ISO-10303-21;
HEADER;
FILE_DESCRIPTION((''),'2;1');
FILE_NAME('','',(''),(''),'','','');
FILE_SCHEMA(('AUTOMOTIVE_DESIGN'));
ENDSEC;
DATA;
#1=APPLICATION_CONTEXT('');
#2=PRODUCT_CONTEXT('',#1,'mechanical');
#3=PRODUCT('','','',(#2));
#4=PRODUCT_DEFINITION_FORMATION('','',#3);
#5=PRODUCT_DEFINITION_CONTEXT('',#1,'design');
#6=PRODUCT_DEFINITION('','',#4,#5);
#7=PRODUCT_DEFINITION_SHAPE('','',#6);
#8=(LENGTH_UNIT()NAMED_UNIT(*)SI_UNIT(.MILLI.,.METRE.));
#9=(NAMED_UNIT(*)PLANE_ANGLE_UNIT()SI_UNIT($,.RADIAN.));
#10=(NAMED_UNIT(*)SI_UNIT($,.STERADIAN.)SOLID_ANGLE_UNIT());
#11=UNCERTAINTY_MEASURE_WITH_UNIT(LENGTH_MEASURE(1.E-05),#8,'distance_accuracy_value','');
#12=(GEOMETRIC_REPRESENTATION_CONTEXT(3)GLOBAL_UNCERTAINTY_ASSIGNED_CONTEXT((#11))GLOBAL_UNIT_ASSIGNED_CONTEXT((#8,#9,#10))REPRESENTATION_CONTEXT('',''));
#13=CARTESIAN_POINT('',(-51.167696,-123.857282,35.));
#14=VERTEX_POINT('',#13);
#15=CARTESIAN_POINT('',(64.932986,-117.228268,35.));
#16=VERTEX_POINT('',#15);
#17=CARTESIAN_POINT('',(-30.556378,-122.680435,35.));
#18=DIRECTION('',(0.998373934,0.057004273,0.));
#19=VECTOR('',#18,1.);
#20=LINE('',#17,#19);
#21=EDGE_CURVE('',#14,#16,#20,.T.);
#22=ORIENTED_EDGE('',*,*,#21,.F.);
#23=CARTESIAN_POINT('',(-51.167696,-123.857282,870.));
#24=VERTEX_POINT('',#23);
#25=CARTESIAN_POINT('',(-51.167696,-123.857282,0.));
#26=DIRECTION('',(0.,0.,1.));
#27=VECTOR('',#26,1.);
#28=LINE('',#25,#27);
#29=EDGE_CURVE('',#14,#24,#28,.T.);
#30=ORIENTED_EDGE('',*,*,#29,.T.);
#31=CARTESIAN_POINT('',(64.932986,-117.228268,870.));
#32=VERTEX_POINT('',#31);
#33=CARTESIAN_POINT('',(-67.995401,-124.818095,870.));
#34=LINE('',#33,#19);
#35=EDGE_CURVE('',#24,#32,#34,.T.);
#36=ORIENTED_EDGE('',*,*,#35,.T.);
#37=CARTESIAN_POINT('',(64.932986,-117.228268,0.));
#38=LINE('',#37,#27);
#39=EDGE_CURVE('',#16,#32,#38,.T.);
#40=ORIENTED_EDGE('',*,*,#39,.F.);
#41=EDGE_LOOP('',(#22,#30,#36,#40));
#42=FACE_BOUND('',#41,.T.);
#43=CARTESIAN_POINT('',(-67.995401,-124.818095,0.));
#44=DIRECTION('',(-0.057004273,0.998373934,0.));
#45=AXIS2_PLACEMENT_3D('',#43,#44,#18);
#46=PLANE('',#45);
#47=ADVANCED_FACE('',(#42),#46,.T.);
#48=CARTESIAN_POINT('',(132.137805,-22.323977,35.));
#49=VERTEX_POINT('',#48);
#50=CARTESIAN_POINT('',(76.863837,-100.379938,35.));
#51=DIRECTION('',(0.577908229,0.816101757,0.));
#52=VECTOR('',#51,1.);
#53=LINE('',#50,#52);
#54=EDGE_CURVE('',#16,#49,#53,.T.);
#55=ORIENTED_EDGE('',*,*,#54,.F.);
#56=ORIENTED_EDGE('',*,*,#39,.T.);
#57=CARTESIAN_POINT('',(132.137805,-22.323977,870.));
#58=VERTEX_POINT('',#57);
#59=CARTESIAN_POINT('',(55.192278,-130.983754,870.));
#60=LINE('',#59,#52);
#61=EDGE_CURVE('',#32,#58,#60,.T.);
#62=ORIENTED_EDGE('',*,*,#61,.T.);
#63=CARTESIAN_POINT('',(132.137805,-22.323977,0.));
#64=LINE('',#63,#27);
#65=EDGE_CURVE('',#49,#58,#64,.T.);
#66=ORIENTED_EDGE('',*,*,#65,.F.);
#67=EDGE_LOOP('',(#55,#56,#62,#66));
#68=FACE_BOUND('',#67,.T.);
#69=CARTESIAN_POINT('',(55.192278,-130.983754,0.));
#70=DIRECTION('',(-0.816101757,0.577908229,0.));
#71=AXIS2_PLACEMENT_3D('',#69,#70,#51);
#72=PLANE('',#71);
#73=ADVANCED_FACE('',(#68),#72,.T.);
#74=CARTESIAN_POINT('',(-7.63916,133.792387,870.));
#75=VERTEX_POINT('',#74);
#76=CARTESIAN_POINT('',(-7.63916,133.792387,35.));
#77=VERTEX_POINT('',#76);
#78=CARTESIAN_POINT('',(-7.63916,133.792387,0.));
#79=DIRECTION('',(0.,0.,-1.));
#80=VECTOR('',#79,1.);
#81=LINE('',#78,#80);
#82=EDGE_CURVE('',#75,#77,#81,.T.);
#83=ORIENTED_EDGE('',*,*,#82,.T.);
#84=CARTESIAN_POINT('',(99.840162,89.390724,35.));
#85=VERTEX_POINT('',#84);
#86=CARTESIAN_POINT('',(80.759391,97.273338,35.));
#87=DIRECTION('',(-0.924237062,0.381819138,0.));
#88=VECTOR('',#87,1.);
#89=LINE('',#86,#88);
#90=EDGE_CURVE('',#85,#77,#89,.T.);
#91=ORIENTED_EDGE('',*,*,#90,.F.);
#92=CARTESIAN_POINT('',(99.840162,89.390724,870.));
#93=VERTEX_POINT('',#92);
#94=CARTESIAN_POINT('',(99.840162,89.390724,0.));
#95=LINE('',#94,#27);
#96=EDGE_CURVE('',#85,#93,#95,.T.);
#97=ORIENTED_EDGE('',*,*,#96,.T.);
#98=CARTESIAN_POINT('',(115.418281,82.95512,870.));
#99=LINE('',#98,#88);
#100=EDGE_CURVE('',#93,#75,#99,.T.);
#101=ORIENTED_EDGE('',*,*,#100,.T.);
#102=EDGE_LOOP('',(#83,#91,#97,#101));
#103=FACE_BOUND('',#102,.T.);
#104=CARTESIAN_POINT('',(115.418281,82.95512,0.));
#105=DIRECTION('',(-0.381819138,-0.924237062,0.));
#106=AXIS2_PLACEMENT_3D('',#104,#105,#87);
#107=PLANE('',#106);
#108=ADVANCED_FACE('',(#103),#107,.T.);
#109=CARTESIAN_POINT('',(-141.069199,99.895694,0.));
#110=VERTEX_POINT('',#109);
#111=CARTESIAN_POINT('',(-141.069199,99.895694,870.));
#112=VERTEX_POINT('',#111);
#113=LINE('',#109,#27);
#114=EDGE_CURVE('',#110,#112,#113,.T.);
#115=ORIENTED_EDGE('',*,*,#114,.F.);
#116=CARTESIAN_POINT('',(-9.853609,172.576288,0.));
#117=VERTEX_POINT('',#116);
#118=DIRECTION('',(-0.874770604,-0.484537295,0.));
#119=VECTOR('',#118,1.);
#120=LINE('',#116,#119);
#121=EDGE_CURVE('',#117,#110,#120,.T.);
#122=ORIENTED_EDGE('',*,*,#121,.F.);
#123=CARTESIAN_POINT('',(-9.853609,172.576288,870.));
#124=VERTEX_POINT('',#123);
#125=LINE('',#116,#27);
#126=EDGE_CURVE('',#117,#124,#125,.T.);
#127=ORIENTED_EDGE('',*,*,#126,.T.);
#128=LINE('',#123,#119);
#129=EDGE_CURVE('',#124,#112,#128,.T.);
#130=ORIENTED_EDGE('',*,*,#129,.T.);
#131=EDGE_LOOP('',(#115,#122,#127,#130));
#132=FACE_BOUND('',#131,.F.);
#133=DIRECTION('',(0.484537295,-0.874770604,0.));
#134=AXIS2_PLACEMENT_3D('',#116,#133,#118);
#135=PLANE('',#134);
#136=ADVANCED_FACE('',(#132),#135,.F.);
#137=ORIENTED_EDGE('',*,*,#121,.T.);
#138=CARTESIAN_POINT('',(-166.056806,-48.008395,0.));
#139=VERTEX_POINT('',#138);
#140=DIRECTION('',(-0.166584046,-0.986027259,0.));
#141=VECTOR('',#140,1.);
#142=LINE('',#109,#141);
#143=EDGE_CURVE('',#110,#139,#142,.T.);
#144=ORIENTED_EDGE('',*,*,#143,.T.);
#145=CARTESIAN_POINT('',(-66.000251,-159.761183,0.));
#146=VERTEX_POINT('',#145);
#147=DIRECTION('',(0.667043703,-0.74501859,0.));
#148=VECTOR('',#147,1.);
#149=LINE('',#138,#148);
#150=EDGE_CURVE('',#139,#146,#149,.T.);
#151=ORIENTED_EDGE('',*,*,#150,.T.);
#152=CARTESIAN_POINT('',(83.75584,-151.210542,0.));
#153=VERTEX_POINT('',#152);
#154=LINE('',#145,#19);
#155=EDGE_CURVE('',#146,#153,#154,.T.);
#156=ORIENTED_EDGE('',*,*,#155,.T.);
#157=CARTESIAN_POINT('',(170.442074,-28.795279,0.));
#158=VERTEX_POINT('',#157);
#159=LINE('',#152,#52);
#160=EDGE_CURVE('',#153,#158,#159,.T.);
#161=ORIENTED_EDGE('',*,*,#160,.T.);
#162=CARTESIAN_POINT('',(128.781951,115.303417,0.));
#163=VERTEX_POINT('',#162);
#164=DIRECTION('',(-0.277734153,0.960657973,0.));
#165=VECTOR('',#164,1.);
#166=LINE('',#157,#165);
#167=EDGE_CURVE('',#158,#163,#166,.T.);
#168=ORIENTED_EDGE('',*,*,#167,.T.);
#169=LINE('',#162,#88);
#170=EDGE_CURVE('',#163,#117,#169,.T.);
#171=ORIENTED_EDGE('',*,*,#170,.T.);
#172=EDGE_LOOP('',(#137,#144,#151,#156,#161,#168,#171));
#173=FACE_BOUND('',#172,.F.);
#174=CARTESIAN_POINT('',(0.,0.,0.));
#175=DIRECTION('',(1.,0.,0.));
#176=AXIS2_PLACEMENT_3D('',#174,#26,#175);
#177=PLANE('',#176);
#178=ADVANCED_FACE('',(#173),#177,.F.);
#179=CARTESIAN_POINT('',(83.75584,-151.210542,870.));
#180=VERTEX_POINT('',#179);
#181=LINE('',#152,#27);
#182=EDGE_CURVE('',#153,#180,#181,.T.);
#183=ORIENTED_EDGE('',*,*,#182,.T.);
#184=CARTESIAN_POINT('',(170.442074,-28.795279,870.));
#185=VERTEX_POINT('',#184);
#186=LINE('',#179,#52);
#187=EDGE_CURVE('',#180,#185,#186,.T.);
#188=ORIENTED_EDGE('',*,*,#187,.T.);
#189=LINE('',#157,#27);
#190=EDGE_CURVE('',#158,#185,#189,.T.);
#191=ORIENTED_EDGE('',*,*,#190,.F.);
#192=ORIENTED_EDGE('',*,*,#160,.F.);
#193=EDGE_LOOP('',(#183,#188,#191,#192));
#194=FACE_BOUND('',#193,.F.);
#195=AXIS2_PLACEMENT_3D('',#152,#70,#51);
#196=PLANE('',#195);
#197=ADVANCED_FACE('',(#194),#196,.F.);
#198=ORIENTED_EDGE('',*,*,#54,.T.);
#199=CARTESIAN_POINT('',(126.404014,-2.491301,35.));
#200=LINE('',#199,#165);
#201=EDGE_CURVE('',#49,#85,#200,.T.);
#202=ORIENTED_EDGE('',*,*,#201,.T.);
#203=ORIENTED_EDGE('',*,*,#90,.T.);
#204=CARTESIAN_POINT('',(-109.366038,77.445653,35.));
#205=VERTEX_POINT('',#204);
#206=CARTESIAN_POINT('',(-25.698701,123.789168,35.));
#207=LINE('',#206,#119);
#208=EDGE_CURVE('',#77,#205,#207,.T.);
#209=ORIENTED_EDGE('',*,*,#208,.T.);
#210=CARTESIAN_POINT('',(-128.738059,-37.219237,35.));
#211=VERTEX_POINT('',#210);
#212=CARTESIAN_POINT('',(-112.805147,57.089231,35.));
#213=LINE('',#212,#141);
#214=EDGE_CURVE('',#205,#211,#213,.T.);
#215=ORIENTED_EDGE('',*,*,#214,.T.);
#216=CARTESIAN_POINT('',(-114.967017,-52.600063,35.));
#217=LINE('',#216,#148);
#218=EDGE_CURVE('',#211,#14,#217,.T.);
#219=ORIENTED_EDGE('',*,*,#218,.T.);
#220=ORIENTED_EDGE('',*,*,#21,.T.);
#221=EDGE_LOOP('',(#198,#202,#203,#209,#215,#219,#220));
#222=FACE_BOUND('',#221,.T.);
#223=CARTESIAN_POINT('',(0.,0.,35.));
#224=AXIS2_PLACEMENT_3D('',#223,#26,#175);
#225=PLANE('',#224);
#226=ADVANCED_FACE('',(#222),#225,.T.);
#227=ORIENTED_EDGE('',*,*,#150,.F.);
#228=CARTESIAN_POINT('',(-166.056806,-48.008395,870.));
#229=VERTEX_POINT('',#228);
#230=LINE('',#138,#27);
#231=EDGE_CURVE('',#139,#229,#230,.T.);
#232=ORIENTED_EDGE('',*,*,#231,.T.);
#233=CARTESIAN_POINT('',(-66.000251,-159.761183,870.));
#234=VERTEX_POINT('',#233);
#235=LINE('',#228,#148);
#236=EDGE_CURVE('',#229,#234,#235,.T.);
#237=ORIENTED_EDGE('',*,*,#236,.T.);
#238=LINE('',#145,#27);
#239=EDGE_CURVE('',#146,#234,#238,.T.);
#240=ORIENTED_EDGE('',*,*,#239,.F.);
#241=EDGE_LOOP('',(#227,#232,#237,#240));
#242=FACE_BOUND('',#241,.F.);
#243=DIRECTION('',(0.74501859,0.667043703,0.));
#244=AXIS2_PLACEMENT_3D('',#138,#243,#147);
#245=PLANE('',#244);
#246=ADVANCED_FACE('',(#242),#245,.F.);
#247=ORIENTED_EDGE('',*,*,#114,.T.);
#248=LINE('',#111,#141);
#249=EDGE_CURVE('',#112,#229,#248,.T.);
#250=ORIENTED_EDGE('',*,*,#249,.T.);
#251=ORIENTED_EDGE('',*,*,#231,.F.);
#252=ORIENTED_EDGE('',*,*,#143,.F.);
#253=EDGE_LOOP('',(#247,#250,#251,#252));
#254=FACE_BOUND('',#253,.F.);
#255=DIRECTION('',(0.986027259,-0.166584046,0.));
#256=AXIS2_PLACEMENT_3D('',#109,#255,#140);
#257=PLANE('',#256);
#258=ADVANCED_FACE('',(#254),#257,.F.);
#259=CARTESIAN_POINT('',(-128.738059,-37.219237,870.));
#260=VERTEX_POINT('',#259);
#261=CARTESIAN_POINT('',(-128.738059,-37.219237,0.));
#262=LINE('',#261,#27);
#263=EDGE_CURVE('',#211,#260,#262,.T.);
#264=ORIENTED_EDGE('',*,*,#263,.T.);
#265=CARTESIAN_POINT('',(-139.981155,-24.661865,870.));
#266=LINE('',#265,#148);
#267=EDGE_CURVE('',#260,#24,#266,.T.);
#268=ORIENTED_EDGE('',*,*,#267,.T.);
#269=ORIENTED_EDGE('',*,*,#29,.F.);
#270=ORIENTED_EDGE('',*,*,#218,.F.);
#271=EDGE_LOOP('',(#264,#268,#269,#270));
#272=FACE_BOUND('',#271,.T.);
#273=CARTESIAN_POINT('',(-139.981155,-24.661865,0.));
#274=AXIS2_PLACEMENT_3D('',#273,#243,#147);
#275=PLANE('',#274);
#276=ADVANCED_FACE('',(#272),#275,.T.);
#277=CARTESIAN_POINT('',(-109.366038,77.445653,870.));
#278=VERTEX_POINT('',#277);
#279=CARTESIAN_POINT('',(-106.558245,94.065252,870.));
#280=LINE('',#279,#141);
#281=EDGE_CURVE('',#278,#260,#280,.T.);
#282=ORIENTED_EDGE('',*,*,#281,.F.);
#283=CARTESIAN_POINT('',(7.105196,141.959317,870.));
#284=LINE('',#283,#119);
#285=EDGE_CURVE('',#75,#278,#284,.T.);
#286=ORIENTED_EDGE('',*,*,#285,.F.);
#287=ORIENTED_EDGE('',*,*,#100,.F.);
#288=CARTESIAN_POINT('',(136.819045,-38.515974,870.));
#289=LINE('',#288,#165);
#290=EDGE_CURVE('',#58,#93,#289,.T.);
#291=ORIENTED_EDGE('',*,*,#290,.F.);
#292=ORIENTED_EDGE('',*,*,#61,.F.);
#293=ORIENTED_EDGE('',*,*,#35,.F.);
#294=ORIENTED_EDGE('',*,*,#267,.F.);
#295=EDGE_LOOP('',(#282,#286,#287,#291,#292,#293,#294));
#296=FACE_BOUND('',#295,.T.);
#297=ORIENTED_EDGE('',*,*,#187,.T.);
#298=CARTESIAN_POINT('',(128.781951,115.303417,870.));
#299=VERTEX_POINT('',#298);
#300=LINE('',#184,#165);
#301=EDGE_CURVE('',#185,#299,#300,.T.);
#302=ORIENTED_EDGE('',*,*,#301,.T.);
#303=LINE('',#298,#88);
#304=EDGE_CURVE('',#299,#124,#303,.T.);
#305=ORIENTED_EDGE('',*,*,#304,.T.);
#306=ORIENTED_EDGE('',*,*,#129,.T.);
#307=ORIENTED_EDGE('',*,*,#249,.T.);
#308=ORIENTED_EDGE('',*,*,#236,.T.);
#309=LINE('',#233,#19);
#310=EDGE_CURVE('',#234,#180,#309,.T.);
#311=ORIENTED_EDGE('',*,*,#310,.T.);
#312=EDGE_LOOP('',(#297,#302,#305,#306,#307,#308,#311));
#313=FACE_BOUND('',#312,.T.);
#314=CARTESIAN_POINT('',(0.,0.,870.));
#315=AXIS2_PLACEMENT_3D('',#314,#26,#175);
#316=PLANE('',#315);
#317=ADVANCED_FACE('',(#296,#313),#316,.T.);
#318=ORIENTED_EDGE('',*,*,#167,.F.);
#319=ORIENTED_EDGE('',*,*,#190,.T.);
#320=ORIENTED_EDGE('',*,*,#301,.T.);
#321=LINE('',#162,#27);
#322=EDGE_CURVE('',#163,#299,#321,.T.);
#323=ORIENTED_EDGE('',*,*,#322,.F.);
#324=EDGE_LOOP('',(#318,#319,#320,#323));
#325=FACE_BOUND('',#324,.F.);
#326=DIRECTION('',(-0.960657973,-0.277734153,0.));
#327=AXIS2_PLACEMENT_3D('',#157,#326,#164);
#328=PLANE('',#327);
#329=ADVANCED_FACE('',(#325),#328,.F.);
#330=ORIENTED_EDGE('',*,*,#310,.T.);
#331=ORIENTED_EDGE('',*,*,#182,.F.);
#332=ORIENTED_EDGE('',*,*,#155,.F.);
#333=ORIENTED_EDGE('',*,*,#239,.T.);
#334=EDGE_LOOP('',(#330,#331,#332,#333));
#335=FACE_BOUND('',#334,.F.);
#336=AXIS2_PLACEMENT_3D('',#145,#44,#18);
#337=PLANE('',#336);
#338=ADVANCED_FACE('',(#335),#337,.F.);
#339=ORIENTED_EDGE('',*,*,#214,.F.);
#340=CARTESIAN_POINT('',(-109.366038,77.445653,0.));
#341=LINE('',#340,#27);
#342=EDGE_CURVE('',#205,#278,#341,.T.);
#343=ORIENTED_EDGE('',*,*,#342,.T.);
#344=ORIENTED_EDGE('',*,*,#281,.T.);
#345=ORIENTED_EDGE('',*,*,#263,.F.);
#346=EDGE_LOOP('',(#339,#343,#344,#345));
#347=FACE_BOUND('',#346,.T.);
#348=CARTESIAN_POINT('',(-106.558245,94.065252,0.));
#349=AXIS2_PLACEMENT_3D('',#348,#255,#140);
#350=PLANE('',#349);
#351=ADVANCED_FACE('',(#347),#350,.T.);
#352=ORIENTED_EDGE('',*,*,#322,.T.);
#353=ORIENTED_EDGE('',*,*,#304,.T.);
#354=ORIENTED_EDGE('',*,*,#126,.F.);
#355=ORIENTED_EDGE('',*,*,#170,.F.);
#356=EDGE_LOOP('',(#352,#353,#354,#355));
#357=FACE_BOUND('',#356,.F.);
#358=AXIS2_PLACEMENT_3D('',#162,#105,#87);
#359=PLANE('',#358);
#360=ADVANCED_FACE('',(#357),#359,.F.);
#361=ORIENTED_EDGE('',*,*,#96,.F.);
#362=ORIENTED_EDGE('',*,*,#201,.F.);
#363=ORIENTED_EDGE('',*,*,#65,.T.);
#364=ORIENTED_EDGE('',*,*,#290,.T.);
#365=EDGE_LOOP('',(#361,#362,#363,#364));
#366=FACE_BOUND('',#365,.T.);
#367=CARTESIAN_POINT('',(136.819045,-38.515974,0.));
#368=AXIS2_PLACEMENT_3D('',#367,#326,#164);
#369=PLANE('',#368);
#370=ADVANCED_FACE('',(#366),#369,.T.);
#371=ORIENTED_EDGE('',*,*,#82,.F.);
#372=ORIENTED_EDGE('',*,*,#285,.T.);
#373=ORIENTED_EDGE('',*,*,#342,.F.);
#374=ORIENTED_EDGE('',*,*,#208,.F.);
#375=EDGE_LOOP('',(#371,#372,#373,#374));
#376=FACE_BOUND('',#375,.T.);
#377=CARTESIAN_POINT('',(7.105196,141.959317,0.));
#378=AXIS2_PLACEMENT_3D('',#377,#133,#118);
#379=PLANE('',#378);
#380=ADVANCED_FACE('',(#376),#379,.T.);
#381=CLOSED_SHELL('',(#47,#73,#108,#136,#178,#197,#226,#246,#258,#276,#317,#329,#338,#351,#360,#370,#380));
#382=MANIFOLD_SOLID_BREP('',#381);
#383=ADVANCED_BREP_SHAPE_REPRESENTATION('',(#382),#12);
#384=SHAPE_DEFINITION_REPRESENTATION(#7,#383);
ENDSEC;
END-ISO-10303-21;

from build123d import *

# Parameters (mm, degrees)
F1_DEPTH = 870
F2_T     = -35


with BuildPart() as f1:
    # F0 (on Top) → F1 (new body)
    with BuildSketch(Plane.XY):
        Polygon((-9.853609, 172.576288), (-141.069199, 99.895694), (-166.056806, -48.008395), (-66.000251, -159.761183), (83.75584, -151.210542), (170.442074, -28.795279), (128.781951, 115.303417), align=None)
    extrude(amount=F1_DEPTH)

    # F2
    f2_openings = [f1.faces().sort_by_distance(p)[0] for p in [
        (0, 0, 870),
    ]]
    offset(amount=F2_T, openings=f2_openings)


solid = f1.part
